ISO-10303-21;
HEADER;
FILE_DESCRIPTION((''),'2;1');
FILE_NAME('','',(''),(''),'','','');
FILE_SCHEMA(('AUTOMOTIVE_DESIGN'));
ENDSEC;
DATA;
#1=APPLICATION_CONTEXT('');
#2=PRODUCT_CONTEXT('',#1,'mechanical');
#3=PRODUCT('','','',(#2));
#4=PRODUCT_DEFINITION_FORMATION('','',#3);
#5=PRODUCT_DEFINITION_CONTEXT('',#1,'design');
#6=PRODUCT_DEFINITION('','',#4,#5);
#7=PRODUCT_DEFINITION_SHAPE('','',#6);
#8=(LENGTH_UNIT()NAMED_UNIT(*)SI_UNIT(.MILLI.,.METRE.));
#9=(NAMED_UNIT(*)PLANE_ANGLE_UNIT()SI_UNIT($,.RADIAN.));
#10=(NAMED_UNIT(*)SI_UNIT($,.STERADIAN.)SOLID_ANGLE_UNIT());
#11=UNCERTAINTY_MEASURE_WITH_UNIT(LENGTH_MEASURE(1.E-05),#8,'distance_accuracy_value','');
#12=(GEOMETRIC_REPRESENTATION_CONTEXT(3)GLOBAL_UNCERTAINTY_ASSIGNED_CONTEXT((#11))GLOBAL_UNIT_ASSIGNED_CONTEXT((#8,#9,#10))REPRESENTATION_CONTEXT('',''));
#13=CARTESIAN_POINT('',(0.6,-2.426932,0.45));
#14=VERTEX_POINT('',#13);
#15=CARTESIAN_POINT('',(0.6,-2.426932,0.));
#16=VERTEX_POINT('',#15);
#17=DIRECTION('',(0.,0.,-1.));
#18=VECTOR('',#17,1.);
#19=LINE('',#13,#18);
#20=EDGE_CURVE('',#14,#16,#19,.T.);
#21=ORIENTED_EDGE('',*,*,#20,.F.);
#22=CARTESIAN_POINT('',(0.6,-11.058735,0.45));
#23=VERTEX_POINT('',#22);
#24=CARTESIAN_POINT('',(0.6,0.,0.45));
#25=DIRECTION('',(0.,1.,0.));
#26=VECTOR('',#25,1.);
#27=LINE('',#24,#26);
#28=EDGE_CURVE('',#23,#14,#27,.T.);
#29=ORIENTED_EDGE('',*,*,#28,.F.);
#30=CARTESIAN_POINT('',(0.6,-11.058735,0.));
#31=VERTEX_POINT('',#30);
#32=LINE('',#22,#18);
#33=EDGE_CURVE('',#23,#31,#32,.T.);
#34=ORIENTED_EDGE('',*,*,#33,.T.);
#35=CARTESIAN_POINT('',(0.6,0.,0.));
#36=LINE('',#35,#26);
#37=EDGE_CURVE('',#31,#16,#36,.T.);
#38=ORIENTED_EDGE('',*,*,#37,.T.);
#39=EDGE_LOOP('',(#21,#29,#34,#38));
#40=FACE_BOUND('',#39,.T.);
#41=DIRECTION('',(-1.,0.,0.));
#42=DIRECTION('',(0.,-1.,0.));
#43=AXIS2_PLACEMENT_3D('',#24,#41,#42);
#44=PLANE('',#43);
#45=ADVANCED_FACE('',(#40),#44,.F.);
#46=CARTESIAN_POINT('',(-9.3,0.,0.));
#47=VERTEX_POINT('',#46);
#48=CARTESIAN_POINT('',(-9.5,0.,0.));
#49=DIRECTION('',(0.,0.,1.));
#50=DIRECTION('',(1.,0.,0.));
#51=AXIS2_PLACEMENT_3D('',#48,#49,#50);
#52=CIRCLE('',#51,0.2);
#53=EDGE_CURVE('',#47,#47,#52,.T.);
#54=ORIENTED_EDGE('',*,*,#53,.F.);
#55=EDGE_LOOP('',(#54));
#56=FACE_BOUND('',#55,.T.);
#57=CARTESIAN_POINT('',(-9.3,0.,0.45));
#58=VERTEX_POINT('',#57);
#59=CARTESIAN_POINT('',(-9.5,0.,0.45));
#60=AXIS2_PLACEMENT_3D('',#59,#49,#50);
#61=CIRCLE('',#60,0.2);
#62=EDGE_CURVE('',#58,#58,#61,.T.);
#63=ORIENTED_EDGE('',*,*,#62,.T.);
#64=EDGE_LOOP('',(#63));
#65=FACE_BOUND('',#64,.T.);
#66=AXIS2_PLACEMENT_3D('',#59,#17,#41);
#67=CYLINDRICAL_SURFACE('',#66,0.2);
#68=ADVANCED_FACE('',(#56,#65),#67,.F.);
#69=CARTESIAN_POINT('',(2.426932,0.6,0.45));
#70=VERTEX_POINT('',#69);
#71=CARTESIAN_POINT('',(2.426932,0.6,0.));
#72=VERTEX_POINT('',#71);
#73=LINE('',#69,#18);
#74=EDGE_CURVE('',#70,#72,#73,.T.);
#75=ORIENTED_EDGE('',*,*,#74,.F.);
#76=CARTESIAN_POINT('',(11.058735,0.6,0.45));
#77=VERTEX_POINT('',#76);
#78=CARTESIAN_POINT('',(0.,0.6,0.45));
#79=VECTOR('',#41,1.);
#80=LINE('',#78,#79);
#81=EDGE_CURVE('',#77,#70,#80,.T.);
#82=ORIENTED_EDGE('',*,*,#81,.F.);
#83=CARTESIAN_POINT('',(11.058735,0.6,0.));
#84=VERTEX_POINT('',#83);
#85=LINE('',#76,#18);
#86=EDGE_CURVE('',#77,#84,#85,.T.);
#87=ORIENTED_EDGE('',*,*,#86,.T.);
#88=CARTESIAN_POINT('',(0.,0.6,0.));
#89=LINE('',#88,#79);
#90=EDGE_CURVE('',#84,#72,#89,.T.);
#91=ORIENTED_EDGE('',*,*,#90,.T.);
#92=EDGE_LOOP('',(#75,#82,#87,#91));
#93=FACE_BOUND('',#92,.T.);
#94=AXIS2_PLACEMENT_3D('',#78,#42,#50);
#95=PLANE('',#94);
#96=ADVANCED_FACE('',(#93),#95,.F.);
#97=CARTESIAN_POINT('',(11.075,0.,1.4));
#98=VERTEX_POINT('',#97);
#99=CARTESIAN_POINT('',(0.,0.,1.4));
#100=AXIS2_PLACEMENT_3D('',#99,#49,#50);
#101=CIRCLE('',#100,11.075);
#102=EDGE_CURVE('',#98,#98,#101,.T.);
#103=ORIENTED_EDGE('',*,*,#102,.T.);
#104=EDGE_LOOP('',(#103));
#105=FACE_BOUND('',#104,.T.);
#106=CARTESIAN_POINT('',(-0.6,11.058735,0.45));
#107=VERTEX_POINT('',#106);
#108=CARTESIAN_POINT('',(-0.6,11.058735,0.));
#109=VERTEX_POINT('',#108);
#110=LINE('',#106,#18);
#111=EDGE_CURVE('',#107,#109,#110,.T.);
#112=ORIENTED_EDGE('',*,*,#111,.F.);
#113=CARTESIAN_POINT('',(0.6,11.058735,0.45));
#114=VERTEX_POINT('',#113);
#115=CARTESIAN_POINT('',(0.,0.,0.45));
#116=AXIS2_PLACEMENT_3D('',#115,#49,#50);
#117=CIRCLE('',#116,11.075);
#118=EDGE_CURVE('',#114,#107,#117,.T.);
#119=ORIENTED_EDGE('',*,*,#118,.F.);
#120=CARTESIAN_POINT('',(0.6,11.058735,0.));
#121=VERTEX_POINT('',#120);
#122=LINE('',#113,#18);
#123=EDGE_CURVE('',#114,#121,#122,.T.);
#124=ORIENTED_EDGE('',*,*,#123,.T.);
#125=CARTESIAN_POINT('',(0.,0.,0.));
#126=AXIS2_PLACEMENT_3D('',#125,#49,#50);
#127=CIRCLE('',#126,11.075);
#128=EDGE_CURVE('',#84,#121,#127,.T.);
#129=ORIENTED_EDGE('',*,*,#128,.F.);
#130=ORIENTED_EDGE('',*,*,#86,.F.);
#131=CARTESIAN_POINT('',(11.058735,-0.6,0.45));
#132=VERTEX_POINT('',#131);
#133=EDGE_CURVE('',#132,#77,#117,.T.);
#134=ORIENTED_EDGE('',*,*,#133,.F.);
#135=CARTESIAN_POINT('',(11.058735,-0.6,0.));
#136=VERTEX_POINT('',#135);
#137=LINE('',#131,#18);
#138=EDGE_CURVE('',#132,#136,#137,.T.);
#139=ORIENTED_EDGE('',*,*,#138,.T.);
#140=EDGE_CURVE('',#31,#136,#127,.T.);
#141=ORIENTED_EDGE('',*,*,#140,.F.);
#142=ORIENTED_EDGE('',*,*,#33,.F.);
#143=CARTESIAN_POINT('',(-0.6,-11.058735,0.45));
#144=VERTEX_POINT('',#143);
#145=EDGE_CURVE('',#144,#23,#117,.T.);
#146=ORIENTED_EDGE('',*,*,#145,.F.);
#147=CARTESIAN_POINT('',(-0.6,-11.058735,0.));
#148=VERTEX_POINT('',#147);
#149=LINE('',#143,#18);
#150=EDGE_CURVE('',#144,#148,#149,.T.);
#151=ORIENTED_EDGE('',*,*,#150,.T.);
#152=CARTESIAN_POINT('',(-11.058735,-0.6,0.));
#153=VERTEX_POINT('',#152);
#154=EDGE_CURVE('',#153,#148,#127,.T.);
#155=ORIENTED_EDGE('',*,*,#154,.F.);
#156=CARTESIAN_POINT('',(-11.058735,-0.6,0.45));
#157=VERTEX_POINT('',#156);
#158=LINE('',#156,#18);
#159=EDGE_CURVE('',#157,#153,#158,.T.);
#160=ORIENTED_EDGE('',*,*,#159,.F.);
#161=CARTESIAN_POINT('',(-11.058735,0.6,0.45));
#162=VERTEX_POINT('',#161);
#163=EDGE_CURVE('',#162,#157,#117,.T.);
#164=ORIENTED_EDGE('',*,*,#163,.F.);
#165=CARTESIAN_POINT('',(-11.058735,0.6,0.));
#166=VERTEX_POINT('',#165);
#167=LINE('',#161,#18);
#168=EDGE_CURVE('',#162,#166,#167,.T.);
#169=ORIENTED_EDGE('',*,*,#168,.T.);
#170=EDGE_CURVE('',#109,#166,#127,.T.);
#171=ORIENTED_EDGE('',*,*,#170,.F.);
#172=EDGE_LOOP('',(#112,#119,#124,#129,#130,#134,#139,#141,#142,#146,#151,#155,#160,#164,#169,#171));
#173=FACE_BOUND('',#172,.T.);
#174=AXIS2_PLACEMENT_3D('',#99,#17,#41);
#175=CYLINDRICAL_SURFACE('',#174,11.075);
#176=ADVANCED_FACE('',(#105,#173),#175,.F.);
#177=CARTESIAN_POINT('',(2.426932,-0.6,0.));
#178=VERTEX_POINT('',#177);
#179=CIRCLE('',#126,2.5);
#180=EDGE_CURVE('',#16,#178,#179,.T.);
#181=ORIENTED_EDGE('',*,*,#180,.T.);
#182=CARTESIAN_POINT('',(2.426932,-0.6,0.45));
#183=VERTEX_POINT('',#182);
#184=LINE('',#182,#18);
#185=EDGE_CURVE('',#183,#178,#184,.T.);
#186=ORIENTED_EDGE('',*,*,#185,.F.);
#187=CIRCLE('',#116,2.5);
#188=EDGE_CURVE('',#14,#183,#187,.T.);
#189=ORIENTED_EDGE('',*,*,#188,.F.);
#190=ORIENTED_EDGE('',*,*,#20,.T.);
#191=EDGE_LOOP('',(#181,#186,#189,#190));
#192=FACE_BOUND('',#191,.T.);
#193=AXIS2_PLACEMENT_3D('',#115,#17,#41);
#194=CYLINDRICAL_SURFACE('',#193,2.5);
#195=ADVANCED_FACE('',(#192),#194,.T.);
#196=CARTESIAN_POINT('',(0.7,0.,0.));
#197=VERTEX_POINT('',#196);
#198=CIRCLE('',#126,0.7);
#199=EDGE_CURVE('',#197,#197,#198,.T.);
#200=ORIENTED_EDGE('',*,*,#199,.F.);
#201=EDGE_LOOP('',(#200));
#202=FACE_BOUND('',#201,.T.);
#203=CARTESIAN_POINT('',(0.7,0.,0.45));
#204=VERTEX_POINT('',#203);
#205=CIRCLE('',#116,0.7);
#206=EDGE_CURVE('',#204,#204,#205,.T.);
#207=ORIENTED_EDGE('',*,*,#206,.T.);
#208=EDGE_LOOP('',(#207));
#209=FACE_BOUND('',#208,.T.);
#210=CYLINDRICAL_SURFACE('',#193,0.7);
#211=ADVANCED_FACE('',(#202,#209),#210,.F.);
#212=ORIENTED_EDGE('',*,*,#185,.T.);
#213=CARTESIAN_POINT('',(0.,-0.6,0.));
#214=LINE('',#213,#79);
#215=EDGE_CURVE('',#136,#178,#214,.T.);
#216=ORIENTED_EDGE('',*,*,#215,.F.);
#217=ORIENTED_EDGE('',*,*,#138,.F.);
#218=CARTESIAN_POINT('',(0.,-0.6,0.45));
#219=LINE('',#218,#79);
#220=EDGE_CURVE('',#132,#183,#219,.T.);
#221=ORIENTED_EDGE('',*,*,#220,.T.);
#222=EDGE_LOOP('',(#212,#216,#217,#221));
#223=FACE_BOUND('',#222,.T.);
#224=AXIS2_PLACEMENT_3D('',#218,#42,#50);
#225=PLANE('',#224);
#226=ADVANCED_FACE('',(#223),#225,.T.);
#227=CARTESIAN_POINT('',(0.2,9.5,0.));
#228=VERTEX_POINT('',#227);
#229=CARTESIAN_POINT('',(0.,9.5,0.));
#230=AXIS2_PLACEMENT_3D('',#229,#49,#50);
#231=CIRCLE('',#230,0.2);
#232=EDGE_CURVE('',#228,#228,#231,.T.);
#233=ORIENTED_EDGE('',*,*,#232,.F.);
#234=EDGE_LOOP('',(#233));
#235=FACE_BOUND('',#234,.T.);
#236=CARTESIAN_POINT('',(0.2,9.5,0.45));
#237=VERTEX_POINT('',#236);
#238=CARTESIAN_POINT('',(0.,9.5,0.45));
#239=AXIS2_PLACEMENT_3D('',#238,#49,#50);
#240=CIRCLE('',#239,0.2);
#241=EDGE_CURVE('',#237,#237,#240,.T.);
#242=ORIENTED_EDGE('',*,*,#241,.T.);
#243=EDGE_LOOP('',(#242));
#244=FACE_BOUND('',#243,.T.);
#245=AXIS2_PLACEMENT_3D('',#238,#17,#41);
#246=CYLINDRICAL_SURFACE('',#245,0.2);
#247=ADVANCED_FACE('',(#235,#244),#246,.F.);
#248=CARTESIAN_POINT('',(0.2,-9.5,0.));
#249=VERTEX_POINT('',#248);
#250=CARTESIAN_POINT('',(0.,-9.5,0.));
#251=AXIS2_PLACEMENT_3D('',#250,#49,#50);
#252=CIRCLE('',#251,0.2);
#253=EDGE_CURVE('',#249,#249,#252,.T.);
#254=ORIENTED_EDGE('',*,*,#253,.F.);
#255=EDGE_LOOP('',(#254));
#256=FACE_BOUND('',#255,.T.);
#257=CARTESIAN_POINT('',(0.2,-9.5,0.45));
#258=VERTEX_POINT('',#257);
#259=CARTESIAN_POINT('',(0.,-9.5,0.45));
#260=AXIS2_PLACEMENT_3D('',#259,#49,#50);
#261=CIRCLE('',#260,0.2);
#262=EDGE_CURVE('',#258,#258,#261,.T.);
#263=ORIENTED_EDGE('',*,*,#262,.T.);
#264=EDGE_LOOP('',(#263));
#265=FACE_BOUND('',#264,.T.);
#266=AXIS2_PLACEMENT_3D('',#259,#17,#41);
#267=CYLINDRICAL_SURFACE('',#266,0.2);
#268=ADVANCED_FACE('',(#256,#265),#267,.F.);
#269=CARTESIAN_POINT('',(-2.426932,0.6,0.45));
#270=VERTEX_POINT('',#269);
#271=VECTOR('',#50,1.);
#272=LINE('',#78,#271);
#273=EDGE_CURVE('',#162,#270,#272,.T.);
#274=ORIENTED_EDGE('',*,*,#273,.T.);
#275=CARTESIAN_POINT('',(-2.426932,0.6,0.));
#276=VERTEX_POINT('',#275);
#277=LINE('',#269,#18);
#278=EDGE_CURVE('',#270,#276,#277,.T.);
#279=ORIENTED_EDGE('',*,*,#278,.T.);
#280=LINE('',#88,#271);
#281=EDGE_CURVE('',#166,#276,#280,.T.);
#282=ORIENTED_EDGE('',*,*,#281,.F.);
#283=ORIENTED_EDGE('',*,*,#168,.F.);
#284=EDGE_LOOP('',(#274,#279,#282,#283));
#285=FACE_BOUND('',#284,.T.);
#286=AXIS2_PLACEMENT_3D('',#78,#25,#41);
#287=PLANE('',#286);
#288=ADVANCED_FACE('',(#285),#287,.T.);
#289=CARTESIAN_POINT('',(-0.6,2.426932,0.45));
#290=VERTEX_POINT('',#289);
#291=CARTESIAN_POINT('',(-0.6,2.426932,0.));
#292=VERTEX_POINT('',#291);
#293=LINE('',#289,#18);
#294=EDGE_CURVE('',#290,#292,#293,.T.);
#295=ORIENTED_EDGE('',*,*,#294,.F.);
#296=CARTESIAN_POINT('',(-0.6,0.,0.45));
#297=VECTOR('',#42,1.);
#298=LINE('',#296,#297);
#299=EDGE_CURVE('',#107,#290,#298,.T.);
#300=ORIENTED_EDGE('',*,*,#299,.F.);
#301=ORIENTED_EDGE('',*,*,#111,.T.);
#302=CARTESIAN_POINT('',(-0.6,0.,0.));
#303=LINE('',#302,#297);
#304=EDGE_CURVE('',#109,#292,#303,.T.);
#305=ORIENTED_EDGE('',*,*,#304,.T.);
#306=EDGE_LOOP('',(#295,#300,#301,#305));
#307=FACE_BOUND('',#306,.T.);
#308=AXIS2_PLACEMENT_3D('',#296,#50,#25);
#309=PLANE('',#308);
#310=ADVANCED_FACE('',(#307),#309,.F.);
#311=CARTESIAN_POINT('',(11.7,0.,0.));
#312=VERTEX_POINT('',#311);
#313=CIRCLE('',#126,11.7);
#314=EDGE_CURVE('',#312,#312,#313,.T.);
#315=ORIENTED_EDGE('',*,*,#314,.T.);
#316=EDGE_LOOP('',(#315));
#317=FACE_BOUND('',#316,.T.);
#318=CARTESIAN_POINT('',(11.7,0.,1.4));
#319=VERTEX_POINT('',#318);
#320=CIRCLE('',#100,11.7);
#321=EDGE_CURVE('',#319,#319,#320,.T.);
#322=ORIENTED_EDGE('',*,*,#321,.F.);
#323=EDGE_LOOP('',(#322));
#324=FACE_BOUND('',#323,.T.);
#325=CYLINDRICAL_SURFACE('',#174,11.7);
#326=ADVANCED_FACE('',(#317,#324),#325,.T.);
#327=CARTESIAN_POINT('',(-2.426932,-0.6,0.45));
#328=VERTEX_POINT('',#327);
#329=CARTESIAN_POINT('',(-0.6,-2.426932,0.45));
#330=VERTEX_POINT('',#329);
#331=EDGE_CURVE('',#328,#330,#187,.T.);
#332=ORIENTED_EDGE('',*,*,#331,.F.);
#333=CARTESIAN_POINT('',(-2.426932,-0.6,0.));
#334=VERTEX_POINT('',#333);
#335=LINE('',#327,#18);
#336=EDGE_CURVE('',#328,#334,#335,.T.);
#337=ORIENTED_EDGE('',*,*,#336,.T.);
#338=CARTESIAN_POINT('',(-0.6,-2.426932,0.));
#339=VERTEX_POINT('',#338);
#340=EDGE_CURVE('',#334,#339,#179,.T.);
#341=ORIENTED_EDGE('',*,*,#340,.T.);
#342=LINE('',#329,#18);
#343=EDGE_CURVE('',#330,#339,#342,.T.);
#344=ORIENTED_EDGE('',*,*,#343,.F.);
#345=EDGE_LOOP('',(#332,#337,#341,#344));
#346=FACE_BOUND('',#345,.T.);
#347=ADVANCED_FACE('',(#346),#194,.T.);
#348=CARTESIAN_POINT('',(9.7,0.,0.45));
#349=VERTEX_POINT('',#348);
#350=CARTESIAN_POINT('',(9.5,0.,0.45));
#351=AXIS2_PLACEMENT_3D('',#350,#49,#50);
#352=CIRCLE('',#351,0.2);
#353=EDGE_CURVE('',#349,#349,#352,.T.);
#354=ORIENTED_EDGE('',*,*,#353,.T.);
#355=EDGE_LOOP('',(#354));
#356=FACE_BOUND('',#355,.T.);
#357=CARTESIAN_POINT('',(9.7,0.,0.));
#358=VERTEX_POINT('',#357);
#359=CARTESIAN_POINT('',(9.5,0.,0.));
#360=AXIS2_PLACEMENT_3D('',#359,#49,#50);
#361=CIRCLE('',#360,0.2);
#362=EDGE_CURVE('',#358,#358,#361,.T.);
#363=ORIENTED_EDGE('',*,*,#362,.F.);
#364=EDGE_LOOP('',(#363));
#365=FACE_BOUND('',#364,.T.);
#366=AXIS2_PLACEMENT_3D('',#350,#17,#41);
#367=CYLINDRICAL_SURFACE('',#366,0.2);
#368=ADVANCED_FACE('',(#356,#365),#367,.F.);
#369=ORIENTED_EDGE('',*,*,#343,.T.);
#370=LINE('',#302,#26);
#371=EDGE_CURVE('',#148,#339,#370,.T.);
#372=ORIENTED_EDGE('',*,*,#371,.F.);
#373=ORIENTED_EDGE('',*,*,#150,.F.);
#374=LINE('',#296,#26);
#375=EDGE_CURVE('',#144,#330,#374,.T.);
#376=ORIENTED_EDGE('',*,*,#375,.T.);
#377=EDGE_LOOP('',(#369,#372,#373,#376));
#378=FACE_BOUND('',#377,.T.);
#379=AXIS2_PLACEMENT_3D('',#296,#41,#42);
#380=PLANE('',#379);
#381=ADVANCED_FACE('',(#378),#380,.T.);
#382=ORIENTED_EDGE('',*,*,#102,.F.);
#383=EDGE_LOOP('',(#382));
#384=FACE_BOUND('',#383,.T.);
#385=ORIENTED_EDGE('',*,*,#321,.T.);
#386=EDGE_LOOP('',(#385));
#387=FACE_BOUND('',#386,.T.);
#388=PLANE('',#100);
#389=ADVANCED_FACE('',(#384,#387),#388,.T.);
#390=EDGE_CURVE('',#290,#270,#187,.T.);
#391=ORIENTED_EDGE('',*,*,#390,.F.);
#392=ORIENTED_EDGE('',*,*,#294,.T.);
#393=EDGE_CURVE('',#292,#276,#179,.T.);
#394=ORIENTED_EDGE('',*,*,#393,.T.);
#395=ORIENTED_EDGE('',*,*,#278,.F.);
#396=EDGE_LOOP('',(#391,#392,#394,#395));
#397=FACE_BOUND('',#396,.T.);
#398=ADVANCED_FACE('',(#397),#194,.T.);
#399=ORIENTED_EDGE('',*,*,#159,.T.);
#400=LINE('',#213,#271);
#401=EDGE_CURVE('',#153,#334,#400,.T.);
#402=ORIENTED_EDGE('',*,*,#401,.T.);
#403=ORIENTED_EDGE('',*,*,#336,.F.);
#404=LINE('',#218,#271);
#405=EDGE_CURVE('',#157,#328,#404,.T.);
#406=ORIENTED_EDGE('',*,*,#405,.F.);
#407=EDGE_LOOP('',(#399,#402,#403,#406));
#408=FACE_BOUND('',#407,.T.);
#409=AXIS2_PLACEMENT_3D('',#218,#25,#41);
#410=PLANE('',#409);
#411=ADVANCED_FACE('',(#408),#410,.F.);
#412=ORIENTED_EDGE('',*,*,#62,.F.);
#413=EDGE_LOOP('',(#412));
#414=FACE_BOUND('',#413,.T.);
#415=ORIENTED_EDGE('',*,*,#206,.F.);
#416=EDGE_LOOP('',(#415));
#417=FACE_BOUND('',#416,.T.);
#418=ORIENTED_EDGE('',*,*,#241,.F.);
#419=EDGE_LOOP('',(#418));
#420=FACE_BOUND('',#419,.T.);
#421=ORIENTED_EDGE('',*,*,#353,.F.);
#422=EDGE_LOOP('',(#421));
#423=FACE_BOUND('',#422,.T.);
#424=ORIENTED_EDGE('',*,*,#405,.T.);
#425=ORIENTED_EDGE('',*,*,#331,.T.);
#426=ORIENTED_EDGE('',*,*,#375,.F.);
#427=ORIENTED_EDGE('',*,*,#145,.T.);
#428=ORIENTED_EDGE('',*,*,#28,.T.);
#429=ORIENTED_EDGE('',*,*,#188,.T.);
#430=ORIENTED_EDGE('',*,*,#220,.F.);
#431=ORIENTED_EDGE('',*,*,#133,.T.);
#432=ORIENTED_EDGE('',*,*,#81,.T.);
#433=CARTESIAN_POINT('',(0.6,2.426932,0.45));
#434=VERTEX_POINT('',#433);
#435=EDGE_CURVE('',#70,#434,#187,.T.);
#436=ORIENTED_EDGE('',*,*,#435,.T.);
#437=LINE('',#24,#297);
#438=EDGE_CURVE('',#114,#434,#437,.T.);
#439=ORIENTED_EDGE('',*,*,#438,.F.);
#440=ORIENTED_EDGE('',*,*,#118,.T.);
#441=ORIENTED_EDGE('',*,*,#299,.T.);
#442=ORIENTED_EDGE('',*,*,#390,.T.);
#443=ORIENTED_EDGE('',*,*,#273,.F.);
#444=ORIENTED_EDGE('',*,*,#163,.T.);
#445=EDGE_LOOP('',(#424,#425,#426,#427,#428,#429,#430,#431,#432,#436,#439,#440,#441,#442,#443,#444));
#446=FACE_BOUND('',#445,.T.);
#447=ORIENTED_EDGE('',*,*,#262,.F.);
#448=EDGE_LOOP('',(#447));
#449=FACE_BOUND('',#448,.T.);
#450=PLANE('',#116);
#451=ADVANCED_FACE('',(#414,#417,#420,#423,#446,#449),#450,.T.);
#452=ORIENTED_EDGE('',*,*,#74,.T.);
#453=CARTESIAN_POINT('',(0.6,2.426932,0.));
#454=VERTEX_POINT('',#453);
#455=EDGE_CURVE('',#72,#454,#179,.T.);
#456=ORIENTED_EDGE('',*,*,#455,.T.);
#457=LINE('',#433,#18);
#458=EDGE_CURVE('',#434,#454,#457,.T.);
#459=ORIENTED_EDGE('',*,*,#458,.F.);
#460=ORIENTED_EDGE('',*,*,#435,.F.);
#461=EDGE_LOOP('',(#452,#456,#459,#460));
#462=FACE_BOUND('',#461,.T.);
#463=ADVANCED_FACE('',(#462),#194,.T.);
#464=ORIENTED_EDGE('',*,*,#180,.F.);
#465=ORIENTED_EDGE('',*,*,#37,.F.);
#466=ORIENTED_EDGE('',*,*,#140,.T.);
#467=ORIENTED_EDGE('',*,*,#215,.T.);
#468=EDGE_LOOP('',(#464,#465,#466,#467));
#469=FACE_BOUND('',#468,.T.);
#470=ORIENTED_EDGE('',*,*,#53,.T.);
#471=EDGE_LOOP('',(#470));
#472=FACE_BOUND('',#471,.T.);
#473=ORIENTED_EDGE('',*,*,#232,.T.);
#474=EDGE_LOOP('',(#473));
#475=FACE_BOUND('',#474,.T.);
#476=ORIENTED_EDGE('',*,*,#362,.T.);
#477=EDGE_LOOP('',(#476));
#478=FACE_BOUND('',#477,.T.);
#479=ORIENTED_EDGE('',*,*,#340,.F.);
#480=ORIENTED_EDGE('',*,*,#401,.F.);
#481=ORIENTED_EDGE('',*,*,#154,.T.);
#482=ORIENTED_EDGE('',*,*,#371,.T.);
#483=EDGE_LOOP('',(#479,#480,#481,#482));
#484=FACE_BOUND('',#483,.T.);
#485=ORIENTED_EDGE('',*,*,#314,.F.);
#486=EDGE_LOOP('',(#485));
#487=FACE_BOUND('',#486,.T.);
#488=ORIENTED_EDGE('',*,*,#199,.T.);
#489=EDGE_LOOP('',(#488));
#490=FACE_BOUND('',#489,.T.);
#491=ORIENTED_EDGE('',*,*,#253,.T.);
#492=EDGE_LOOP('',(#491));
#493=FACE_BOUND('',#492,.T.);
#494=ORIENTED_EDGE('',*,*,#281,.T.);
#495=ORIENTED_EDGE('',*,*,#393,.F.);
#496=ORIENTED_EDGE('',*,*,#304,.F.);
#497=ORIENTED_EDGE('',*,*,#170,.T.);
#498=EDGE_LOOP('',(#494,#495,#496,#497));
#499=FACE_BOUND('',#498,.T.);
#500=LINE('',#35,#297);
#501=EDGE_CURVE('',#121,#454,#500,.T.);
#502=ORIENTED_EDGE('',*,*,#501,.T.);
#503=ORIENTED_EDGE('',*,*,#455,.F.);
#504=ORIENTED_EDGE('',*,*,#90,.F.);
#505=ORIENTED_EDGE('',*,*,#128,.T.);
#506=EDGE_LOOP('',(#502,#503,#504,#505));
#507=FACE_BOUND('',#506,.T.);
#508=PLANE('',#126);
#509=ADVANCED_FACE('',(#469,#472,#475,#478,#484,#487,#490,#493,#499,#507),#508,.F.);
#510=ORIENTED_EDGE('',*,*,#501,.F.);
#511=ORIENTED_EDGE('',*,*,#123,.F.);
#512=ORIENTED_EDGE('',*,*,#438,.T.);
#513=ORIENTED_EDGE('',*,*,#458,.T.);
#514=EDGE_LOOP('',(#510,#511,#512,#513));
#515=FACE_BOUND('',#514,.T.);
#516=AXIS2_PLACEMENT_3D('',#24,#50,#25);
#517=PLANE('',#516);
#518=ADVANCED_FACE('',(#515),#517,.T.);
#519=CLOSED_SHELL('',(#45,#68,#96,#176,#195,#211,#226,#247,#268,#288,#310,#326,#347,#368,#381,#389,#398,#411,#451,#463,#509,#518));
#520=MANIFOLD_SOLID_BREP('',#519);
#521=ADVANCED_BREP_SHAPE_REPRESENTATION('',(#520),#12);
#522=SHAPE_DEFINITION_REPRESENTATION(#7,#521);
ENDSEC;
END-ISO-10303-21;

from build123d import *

# Parameters (mm, degrees)
SKETCH1_R           = 11.7
BOSS_EXTRUDE1_DEPTH = 1.4
SKETCH1_3_R         = 0.2
SKETCH1_3_R_2       = 0.7
BOSS_EXTRUDE2_DEPTH = 0.45


with BuildPart() as part:
    # Sketch1 → Boss-Extrude1 (new body)
    with BuildSketch(Plane.XY):
        Circle(SKETCH1_R)
        with BuildLine():
            ThreePointArc((0.6, 11.058735235), (7.831207602, 7.831207602), (11.058735235, 0.6))
            ThreePointArc((11.058735235, 0.6), (11.070933062, 0.300110206), (11.075, 0))
            ThreePointArc((11.075, 0), (11.070933062, -0.300110206), (11.058735235, -0.6))
            ThreePointArc((11.058735235, -0.6), (7.831207602, -7.831207602), (0.6, -11.058735235))
            ThreePointArc((0.6, -11.058735235), (0, -11.075), (-0.6, -11.058735235))
            ThreePointArc((-0.6, -11.058735235), (-7.831207602, -7.831207602), (-11.058735235, -0.6))
            ThreePointArc((-11.058735235, -0.6), (-11.075, 0), (-11.058735235, 0.6))
            ThreePointArc((-11.058735235, 0.6), (-7.831207602, 7.831207602), (-0.6, 11.058735235))
            ThreePointArc((-0.6, 11.058735235), (0, 11.075), (0.6, 11.058735235))
        make_face(mode=Mode.SUBTRACT)
    extrude(amount=BOSS_EXTRUDE1_DEPTH)

    # Sketch1<3> → Boss-Extrude2 (add)
    with BuildSketch(Plane.XY):
        with BuildLine():
            Line((11.058735235, 0.6), (2.42693222, 0.6))
            ThreePointArc((2.42693222, 0.6), (1.767766953, 1.767766953), (0.6, 2.42693222))
            Line((0.6, 2.42693222), (0.6, 11.058735235))
            ThreePointArc((0.6, 11.058735235), (0, 11.075), (-0.6, 11.058735235))
            Line((-0.6, 11.058735235), (-0.6, 2.42693222))
            ThreePointArc((-0.6, 2.42693222), (-1.767766953, 1.767766953), (-2.42693222, 0.6))
            Line((-2.42693222, 0.6), (-11.058735235, 0.6))
            ThreePointArc((-11.058735235, 0.6), (-11.075, 0), (-11.058735235, -0.6))
            Line((-11.058735235, -0.6), (-2.42693222, -0.6))
            ThreePointArc((-2.42693222, -0.6), (-1.767766953, -1.767766953), (-0.6, -2.42693222))
            Line((-0.6, -2.42693222), (-0.6, -11.058735235))
            ThreePointArc((-0.6, -11.058735235), (0, -11.075), (0.6, -11.058735235))
            Line((0.6, -11.058735235), (0.6, -2.42693222))
            ThreePointArc((0.6, -2.42693222), (1.767766953, -1.767766953), (2.42693222, -0.6))
            Line((2.42693222, -0.6), (11.058735235, -0.6))
            ThreePointArc((11.058735235, -0.6), (11.075, 0), (11.058735235, 0.6))
        make_face()
        with Locations((9.5, 0)):
            Circle(SKETCH1_3_R, mode=Mode.SUBTRACT)
        Circle(SKETCH1_3_R_2, mode=Mode.SUBTRACT)
        with Locations((0, -9.5)):
            Circle(SKETCH1_3_R, mode=Mode.SUBTRACT)
        with Locations((-9.5, 0)):
            Circle(SKETCH1_3_R, mode=Mode.SUBTRACT)
        with Locations((0, 9.5)):
            Circle(SKETCH1_3_R, mode=Mode.SUBTRACT)
    extrude(amount=BOSS_EXTRUDE2_DEPTH)


solid = part.part
